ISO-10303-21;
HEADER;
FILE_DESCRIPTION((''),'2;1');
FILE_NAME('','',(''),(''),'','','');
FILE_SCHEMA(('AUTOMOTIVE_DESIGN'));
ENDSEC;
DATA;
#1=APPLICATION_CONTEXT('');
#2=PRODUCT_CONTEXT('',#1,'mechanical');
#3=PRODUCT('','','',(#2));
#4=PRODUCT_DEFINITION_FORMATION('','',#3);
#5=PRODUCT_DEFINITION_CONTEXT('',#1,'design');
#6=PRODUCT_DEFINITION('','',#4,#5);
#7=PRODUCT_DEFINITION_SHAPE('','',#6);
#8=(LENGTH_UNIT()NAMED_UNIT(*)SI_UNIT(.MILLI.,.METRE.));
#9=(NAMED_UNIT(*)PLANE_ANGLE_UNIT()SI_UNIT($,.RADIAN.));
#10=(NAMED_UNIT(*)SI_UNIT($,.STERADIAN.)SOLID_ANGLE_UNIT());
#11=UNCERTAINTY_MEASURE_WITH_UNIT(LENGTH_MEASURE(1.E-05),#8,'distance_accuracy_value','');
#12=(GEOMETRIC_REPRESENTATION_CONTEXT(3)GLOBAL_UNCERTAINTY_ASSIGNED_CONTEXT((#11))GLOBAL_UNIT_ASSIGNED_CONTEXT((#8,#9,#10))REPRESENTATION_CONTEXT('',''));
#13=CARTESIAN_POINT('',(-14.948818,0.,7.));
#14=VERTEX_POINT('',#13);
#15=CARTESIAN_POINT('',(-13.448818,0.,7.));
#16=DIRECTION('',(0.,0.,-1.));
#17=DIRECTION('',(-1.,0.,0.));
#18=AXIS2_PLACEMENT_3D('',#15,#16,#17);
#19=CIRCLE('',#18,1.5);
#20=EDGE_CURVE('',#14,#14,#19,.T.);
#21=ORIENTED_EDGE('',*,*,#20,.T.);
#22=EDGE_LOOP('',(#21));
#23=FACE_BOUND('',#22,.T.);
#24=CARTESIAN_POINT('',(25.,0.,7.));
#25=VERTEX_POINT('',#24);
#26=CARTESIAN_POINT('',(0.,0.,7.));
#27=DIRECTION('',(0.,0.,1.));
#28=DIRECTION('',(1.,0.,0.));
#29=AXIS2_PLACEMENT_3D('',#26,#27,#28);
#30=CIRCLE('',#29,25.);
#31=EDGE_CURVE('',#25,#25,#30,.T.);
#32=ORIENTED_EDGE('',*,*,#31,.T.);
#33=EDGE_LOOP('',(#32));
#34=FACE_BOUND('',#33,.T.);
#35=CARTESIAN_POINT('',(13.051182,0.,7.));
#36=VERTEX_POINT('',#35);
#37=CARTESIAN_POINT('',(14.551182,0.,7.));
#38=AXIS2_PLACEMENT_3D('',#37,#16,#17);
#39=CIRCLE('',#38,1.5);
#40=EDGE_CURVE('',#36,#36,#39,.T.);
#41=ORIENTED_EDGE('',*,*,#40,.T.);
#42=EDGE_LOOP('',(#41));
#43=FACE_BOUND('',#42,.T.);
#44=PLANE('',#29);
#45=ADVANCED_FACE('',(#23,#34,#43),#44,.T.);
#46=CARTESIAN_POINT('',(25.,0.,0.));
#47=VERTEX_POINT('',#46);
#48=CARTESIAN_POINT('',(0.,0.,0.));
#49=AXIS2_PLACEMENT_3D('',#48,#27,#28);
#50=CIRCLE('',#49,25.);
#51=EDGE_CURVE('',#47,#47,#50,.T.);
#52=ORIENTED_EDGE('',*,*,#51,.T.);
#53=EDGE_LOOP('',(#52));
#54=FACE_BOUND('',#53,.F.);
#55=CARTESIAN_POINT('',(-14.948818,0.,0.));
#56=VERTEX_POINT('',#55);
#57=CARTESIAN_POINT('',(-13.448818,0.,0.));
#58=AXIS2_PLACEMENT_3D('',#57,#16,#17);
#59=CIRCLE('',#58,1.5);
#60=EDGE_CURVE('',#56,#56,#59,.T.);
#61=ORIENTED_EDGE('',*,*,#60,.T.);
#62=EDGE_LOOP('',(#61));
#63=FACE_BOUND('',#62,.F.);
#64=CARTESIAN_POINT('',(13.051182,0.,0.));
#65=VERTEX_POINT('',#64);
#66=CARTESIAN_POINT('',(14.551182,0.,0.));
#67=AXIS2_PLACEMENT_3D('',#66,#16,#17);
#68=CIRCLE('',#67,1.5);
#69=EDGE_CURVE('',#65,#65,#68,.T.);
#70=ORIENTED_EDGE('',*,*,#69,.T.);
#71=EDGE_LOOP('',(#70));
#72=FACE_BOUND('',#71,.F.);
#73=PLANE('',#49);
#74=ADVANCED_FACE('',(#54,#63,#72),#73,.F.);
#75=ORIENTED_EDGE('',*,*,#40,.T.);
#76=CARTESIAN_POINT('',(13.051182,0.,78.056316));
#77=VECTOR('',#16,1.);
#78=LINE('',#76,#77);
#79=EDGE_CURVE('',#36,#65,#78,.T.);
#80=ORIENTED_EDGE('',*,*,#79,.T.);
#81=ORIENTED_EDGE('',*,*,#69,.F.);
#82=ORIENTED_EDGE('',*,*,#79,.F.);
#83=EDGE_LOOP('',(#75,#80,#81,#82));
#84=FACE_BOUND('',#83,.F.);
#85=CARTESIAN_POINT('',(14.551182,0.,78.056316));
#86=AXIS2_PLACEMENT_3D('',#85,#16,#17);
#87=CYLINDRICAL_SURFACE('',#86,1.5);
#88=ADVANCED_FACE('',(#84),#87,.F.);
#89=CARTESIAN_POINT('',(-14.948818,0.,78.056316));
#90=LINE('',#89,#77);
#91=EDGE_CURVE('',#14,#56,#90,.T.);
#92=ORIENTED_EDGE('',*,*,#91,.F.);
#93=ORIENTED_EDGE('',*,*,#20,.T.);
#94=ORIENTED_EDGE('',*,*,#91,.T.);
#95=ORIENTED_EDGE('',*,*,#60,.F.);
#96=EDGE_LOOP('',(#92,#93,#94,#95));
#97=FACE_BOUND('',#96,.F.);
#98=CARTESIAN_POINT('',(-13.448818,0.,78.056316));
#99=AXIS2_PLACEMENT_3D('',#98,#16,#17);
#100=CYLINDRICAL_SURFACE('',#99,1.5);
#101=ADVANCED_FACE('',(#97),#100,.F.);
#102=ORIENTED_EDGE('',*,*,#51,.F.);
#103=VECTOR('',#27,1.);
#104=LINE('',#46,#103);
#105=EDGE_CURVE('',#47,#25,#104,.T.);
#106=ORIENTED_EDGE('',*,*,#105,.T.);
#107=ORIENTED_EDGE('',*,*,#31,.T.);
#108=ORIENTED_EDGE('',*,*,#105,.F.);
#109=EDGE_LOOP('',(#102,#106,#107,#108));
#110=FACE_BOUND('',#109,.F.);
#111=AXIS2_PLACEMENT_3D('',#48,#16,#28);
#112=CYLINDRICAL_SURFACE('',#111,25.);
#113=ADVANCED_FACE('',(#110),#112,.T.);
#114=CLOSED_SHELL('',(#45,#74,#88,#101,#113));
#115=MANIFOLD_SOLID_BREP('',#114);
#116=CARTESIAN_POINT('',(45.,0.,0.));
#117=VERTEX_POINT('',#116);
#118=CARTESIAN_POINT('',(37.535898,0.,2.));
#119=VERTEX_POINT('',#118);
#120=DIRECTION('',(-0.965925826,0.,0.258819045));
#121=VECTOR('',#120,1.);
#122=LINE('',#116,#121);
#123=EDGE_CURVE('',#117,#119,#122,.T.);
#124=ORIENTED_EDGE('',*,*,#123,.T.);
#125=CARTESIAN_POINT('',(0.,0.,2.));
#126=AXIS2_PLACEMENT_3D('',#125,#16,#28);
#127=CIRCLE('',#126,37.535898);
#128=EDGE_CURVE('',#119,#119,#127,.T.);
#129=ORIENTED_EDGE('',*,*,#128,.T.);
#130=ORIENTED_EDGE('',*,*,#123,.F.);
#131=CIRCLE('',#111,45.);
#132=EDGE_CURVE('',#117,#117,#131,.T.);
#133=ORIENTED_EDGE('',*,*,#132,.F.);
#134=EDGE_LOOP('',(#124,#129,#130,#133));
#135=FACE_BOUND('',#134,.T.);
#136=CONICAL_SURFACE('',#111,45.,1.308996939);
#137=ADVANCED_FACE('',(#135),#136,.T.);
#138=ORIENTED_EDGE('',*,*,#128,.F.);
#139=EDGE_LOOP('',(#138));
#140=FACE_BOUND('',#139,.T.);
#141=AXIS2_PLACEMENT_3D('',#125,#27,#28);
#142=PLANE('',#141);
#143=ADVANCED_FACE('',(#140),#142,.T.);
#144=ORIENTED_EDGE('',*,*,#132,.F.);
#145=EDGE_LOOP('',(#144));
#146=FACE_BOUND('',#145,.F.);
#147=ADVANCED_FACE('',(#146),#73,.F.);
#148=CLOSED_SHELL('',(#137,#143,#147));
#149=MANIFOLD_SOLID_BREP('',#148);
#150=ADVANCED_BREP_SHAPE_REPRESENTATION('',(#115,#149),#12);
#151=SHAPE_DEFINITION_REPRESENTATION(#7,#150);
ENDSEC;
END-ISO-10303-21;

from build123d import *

# Parameters (mm, degrees)
F0_R     = 25
F1_DEPTH = 7
F3_D     = 3
F4_R     = 45
F5_DEPTH = 2
F5_TAPER = 75


with BuildPart() as f1:
    # F0 (on Top) → F1 (new body)
    with BuildSketch(Plane.XY):
        Circle(F0_R)
    extrude(amount=F1_DEPTH)

    # F3 (through all)
    with Locations(Plane.XY.offset(7)):
        with Locations((-13.4488181525, 0), (14.5511818475, 0)):
            Hole(F3_D / 2)


with BuildPart() as f5:
    # F4 (on Top) → F5 (new body)
    with BuildSketch(Plane.XY):
        Circle(F4_R)
    extrude(amount=F5_DEPTH, taper=F5_TAPER)


solid = Compound([f1.part, f5.part])
